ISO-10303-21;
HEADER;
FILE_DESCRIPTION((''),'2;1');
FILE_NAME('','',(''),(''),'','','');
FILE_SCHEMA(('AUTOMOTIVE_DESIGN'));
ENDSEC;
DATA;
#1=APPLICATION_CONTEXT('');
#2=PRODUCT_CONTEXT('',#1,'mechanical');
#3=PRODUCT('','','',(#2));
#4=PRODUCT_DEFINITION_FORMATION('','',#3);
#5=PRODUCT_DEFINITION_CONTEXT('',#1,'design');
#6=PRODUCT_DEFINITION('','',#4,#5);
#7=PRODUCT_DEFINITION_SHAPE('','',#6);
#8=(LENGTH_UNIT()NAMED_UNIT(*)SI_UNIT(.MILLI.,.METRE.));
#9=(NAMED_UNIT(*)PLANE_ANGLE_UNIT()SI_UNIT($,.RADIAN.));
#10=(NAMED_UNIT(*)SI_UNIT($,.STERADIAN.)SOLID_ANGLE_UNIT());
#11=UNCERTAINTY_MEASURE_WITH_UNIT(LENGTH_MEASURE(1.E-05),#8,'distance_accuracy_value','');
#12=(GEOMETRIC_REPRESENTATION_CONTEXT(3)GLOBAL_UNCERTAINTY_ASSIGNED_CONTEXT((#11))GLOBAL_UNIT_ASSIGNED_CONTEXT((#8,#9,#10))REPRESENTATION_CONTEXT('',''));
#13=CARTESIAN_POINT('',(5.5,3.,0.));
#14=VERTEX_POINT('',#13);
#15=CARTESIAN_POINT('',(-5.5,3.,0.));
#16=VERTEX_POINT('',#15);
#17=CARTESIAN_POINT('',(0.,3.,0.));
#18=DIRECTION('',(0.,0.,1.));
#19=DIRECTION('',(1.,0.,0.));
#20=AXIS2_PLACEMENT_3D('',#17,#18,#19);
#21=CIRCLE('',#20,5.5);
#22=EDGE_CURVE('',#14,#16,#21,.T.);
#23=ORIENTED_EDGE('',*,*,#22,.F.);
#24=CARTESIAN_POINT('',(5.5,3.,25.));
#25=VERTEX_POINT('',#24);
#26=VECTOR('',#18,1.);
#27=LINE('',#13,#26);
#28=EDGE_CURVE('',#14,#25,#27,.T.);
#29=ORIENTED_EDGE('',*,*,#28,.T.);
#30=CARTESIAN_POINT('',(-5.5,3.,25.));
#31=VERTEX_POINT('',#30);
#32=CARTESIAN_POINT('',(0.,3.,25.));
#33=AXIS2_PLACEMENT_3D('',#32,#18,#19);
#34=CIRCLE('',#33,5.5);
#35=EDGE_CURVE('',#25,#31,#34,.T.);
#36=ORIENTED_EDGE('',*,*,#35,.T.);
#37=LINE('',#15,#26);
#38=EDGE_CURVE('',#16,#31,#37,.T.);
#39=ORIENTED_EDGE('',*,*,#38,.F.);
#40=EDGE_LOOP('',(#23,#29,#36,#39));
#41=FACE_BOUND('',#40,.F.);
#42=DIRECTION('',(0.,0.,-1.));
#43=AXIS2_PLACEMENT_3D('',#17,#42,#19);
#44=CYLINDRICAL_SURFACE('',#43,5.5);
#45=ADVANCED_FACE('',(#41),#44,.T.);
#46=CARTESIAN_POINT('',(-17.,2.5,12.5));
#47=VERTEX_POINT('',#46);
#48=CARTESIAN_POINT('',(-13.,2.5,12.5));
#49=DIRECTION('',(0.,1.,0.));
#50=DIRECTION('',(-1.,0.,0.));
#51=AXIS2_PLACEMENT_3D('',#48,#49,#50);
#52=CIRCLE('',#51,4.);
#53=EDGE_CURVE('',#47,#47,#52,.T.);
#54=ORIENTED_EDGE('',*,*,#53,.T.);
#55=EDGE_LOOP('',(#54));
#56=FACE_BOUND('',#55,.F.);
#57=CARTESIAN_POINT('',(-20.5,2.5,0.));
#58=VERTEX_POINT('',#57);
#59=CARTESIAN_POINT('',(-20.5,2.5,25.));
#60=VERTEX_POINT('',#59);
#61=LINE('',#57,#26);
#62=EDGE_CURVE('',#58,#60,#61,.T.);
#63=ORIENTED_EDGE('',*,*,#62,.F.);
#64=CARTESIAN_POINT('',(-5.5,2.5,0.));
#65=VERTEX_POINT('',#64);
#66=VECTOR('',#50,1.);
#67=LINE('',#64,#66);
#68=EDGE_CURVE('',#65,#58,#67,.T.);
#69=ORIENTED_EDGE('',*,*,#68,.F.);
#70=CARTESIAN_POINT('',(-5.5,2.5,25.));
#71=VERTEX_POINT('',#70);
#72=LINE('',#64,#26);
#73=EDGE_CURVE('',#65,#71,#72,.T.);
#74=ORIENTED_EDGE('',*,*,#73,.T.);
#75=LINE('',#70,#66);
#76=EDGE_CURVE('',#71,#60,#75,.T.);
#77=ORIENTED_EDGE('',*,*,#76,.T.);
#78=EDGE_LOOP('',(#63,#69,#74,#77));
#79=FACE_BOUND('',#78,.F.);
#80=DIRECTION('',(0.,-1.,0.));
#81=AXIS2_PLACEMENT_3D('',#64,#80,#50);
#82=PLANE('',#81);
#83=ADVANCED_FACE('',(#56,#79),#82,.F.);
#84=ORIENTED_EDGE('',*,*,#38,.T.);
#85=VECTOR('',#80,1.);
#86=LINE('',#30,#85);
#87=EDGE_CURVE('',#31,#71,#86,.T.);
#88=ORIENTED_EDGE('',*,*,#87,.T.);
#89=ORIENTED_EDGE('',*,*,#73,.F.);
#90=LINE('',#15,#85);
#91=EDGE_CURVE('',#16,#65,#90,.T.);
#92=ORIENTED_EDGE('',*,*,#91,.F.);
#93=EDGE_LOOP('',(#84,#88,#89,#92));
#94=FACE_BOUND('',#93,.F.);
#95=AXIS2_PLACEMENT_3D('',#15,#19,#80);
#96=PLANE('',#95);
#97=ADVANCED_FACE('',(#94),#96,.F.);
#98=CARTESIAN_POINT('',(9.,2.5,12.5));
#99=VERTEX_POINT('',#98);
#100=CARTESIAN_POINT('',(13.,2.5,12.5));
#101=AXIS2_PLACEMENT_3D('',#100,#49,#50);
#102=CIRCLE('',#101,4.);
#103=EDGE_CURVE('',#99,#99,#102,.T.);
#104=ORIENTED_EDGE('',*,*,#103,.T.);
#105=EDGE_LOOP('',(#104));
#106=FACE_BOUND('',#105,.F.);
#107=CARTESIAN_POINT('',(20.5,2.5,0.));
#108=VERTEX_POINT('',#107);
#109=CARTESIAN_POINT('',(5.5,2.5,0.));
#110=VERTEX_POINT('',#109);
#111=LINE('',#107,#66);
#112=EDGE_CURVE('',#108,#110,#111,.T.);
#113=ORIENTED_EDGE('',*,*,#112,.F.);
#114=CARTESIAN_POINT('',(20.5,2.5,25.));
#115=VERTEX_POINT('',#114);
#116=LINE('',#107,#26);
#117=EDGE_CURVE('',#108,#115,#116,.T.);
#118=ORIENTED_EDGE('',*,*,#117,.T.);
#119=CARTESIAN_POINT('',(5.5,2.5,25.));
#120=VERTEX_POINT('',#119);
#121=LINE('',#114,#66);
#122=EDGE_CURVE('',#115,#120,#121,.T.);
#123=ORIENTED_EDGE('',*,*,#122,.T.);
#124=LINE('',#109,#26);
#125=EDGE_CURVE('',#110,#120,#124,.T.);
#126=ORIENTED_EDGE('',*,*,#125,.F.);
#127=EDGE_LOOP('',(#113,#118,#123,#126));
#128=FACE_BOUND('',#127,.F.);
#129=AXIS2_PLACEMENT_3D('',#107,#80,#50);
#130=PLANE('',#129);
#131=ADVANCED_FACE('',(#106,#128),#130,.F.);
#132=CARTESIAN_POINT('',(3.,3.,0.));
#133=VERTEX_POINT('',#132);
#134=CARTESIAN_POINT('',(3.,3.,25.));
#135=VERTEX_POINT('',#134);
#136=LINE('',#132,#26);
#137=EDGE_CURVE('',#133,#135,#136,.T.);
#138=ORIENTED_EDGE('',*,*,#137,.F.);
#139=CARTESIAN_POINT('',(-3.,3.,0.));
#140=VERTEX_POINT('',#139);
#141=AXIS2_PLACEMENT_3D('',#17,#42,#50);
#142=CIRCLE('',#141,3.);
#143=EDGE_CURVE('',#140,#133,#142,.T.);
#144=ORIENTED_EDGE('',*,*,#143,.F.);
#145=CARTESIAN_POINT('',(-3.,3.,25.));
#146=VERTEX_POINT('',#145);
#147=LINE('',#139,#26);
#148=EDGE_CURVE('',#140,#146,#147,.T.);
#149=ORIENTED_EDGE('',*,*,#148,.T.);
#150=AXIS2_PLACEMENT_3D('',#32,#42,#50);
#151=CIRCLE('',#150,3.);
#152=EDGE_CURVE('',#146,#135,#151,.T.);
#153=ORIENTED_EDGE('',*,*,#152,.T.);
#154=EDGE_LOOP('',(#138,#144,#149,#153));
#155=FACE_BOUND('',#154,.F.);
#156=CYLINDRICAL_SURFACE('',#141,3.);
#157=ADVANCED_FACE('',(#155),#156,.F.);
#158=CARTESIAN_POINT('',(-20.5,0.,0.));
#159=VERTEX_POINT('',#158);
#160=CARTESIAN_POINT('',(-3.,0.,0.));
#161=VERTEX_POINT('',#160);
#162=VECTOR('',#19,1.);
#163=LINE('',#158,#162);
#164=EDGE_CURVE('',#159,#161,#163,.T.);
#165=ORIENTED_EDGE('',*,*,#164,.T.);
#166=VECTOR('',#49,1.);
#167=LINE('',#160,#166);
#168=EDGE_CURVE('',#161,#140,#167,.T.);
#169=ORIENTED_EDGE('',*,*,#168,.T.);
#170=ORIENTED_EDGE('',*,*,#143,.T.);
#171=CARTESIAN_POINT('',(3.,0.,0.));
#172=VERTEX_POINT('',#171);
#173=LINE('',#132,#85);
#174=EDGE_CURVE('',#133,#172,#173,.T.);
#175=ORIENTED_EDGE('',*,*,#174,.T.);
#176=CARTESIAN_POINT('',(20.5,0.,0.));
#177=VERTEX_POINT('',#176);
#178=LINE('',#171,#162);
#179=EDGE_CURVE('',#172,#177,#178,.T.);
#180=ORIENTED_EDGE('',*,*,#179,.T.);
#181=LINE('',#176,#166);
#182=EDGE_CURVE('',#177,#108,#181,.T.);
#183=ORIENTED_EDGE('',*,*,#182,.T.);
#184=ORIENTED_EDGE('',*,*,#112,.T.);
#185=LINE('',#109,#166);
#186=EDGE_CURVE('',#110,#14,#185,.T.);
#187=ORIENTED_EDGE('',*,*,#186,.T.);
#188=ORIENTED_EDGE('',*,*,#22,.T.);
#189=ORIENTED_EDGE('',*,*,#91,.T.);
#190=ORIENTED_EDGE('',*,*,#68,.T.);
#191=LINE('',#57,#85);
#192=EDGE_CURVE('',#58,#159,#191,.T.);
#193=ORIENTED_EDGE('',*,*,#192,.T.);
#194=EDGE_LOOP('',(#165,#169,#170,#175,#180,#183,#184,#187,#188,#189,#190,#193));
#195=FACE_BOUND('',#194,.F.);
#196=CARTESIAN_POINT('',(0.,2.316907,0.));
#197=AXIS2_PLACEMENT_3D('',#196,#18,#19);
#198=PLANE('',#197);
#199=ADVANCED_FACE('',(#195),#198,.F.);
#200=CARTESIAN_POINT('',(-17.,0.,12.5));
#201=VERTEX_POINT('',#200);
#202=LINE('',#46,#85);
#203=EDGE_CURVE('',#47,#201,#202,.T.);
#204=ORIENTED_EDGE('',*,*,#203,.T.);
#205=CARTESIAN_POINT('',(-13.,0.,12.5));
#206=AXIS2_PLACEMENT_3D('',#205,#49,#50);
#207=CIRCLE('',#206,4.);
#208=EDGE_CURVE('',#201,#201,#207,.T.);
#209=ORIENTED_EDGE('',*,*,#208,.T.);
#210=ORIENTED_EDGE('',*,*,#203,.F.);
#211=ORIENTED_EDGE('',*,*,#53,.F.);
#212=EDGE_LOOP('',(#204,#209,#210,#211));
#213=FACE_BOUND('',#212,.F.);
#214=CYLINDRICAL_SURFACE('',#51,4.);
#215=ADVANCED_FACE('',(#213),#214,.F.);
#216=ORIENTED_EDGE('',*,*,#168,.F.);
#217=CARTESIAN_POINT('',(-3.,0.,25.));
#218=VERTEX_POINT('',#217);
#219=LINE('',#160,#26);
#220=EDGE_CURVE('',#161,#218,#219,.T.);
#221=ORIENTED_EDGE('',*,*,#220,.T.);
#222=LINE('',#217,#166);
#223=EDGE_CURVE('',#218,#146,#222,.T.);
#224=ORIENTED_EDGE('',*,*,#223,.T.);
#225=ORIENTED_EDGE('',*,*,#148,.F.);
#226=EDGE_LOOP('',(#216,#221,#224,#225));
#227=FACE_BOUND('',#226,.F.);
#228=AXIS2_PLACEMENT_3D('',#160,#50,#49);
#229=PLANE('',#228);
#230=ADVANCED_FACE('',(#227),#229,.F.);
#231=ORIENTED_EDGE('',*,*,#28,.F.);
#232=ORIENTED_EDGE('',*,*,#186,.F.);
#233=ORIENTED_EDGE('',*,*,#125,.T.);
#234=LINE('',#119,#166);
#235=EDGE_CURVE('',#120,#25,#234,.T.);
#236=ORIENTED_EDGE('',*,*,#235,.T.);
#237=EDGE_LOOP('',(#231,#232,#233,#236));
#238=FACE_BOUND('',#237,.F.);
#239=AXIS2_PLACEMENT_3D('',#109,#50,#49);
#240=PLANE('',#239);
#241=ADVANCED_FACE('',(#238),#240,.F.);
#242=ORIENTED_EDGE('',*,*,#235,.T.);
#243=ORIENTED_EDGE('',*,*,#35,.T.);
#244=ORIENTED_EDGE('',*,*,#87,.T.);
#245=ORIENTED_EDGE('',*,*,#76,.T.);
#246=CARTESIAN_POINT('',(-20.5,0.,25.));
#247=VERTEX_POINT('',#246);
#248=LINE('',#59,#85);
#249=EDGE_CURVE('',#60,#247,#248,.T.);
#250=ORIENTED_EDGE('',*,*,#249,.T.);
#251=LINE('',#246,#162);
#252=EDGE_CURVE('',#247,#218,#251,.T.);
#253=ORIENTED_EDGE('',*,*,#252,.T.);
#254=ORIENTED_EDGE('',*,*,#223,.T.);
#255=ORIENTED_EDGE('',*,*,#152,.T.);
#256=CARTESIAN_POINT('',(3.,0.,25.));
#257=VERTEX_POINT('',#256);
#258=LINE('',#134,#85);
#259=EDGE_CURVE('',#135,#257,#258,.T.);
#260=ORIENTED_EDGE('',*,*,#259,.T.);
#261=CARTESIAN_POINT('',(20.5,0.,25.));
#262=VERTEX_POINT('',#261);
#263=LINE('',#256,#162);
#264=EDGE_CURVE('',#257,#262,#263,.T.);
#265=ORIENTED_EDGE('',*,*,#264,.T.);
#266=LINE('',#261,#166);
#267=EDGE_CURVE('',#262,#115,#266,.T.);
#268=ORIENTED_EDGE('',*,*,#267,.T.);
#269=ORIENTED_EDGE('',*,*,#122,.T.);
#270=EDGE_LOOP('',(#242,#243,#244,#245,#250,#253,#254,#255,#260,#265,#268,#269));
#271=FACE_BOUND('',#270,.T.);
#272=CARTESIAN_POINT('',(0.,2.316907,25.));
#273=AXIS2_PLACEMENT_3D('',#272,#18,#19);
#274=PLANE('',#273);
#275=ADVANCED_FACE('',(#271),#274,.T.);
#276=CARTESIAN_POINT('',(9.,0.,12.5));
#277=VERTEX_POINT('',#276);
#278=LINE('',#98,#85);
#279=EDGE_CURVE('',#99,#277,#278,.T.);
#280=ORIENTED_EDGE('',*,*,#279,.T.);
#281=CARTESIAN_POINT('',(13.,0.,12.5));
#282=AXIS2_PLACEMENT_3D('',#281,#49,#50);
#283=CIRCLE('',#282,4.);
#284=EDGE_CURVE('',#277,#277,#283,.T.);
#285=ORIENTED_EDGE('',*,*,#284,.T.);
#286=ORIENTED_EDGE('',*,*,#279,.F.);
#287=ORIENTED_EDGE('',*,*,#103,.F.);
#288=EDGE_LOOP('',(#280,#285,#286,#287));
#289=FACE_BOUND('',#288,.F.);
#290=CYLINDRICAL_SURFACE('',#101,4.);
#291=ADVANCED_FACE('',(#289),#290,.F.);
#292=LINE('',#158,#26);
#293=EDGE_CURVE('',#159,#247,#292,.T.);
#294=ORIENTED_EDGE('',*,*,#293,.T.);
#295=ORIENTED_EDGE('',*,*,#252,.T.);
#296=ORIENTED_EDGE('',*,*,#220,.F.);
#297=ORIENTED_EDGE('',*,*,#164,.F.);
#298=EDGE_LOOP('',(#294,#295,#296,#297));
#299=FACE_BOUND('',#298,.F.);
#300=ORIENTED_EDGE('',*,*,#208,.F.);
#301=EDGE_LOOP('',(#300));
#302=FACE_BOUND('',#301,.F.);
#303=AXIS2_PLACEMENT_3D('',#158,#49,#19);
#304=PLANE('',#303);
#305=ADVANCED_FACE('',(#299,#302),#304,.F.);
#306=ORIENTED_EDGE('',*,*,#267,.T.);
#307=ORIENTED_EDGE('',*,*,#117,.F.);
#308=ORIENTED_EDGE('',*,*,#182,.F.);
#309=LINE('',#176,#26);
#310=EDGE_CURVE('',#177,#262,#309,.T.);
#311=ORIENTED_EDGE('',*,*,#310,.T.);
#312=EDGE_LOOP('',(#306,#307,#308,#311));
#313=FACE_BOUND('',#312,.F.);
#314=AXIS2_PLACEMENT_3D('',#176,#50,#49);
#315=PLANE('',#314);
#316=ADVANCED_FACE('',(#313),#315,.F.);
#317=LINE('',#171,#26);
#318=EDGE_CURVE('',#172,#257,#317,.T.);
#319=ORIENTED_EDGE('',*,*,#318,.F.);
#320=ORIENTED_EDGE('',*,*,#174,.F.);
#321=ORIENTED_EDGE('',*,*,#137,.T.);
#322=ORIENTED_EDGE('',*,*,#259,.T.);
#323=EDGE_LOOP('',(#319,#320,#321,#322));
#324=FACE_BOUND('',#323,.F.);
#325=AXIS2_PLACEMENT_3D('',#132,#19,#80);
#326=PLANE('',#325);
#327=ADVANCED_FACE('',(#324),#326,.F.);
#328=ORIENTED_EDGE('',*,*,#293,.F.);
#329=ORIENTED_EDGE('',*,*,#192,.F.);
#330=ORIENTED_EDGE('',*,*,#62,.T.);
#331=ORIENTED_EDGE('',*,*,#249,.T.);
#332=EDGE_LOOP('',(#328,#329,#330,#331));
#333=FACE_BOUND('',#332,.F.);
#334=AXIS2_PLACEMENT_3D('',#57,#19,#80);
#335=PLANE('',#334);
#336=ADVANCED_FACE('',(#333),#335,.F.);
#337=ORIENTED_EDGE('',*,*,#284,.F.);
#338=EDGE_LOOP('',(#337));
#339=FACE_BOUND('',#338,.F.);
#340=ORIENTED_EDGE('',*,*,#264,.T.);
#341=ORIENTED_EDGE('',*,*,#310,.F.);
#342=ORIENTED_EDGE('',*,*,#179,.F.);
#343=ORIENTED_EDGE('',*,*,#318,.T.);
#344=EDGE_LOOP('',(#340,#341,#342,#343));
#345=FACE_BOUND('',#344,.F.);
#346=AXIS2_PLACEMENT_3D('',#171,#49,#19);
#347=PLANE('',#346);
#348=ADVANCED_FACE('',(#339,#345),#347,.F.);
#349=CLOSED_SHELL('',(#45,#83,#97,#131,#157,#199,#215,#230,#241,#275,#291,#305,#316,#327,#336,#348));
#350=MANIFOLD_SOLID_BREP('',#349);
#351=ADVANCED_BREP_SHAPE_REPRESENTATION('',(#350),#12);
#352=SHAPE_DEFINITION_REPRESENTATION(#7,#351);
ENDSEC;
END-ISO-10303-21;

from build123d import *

# Parameters (mm, degrees)
F1_DEPTH = 25
F2_R     = 4
F3_DEPTH = 25


with BuildPart() as f1:
    # F0 (on Top) → F1 (new body)
    with BuildSketch(Plane.XY):
        with BuildLine():
            ThreePointArc((-3, 3), (0, 6), (3, 3))
            Line((3, 3), (3, 0))
            Line((3, 0), (5.5, 0))
            Line((5.5, 0), (20.5, 0))
            Line((20.5, 0), (20.5, 2.5))
            Line((20.5, 2.5), (5.5, 2.5))
            Line((5.5, 2.5), (5.5, 3))
            ThreePointArc((5.5, 3), (0, 8.5), (-5.5, 3))
            Line((-5.5, 3), (-5.5, 2.5))
            Line((-5.5, 2.5), (-20.5, 2.5))
            Line((-20.5, 2.5), (-20.5, 0))
            Line((-20.5, 0), (-5.5, 0))
            Line((-5.5, 0), (-3, 0))
            Line((-3, 0), (-3, 3))
        make_face()
    extrude(amount=F1_DEPTH)

    # F2 (on face) → F3 (cut)
    with BuildSketch(Plane(origin=(0, 2.5, 0), x_dir=(-1, 0, 0), z_dir=(0, 1, 0))):
        with Locations((13, 12.5)):
            Circle(F2_R)
        with Locations((-13, 12.5)):
            Circle(F2_R)
    extrude(amount=-F3_DEPTH, mode=Mode.SUBTRACT)


solid = f1.part
